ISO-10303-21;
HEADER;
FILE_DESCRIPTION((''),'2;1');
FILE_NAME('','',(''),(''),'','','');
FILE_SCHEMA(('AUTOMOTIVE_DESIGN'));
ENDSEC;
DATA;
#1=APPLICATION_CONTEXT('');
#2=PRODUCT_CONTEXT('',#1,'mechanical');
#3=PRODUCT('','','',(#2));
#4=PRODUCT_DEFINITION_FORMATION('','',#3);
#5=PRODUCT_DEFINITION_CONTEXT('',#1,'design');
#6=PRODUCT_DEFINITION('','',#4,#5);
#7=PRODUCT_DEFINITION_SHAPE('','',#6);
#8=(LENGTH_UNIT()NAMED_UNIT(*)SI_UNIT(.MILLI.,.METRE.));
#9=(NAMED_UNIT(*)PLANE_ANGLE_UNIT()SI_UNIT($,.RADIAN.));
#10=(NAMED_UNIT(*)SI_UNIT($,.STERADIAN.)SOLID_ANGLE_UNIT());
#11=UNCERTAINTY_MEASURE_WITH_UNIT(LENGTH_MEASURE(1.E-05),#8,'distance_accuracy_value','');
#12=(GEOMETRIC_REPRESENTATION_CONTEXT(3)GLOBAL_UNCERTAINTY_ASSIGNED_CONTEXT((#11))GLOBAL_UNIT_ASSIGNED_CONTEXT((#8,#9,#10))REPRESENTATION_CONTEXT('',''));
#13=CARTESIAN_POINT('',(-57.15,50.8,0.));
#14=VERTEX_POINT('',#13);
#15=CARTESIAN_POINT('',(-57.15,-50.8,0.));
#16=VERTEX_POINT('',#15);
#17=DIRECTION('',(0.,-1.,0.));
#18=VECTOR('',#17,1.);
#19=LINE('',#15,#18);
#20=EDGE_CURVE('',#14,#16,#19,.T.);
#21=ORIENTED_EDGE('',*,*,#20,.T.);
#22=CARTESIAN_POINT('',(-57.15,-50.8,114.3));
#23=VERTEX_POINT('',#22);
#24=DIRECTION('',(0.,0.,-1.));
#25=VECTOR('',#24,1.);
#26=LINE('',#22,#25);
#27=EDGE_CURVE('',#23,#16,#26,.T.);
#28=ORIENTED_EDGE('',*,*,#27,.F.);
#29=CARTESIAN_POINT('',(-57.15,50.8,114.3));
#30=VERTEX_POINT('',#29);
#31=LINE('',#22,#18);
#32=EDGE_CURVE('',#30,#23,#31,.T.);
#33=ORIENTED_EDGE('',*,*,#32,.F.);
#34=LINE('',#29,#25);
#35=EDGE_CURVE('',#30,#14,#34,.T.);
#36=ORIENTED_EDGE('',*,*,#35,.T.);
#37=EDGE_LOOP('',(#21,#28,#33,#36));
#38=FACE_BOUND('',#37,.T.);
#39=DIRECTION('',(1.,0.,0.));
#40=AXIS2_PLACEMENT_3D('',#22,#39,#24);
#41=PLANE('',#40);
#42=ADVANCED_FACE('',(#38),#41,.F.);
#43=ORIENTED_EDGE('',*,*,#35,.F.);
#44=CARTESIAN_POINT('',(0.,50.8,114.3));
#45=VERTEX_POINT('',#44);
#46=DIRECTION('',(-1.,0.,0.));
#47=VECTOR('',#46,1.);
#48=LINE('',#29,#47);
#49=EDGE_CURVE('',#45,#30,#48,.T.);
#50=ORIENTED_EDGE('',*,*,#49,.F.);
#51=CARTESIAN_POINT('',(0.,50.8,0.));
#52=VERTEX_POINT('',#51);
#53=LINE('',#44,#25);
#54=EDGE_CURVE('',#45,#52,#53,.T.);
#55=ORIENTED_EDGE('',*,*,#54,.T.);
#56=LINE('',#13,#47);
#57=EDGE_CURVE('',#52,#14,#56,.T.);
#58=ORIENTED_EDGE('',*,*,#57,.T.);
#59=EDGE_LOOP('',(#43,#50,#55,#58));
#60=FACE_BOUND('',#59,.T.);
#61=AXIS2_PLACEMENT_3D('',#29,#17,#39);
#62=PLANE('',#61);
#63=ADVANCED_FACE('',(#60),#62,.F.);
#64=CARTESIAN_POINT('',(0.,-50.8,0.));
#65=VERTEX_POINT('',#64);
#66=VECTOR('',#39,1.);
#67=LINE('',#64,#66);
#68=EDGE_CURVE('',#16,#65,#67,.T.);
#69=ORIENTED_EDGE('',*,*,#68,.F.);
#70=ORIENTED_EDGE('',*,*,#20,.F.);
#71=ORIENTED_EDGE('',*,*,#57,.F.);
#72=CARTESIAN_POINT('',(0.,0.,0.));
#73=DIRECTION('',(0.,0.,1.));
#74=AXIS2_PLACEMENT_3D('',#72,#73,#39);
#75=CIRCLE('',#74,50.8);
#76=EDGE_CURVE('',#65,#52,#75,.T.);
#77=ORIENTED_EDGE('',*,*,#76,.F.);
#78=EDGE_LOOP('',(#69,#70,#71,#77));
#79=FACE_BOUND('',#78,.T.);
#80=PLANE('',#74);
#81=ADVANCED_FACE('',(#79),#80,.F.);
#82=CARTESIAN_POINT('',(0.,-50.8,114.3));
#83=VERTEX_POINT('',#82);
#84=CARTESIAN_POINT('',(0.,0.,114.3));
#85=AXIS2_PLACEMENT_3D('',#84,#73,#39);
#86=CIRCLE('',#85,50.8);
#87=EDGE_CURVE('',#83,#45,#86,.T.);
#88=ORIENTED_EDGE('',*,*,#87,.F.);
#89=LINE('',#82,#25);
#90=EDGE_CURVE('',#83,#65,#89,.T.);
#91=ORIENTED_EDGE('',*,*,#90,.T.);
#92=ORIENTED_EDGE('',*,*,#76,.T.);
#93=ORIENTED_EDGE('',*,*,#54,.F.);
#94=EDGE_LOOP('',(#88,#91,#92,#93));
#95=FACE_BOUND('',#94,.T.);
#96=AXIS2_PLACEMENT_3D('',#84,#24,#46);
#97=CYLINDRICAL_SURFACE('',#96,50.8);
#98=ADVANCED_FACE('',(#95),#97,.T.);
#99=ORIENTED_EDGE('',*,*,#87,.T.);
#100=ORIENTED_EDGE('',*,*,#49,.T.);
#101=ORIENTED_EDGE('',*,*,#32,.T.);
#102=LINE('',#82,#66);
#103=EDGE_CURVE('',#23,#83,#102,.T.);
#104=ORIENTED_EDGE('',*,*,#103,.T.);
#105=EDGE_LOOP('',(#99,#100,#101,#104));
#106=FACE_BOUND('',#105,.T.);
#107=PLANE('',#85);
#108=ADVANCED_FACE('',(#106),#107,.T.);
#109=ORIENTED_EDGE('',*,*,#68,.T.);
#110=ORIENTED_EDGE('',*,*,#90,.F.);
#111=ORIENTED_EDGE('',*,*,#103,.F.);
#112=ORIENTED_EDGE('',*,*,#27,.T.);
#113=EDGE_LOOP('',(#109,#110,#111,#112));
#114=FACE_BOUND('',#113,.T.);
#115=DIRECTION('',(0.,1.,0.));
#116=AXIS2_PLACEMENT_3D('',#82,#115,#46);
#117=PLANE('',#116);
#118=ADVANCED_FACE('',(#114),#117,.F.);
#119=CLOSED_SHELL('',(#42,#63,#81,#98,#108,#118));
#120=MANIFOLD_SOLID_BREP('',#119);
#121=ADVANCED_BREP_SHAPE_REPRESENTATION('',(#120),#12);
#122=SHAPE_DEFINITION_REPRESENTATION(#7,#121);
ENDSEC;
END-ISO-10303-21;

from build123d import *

# Parameters (mm, degrees)
BOSS_EXTRUDE1_DEPTH = 114.3
SKETCH2_R           = 1.27
BOSS_EXTRUDE2_DEPTH = 5.08


with BuildPart() as part:
    # Sketch1 → Boss-Extrude1 (new body)
    with BuildSketch(Plane.XY):
        with BuildLine():
            Line((0, -50.8), (-57.15, -50.8))
            Line((-57.15, -50.8), (-57.15, 50.8))
            Line((-57.15, 50.8), (0, 50.8))
            ThreePointArc((0, 50.8), (50.8, 0), (0, -50.8))
        make_face()
    extrude(amount=BOSS_EXTRUDE1_DEPTH)

    # Sketch2 → Boss-Extrude2 (add)
    with BuildSketch(Plane.XY.offset(114.3)):
        Circle(SKETCH2_R)
    extrude(amount=-BOSS_EXTRUDE2_DEPTH)


solid = part.part
